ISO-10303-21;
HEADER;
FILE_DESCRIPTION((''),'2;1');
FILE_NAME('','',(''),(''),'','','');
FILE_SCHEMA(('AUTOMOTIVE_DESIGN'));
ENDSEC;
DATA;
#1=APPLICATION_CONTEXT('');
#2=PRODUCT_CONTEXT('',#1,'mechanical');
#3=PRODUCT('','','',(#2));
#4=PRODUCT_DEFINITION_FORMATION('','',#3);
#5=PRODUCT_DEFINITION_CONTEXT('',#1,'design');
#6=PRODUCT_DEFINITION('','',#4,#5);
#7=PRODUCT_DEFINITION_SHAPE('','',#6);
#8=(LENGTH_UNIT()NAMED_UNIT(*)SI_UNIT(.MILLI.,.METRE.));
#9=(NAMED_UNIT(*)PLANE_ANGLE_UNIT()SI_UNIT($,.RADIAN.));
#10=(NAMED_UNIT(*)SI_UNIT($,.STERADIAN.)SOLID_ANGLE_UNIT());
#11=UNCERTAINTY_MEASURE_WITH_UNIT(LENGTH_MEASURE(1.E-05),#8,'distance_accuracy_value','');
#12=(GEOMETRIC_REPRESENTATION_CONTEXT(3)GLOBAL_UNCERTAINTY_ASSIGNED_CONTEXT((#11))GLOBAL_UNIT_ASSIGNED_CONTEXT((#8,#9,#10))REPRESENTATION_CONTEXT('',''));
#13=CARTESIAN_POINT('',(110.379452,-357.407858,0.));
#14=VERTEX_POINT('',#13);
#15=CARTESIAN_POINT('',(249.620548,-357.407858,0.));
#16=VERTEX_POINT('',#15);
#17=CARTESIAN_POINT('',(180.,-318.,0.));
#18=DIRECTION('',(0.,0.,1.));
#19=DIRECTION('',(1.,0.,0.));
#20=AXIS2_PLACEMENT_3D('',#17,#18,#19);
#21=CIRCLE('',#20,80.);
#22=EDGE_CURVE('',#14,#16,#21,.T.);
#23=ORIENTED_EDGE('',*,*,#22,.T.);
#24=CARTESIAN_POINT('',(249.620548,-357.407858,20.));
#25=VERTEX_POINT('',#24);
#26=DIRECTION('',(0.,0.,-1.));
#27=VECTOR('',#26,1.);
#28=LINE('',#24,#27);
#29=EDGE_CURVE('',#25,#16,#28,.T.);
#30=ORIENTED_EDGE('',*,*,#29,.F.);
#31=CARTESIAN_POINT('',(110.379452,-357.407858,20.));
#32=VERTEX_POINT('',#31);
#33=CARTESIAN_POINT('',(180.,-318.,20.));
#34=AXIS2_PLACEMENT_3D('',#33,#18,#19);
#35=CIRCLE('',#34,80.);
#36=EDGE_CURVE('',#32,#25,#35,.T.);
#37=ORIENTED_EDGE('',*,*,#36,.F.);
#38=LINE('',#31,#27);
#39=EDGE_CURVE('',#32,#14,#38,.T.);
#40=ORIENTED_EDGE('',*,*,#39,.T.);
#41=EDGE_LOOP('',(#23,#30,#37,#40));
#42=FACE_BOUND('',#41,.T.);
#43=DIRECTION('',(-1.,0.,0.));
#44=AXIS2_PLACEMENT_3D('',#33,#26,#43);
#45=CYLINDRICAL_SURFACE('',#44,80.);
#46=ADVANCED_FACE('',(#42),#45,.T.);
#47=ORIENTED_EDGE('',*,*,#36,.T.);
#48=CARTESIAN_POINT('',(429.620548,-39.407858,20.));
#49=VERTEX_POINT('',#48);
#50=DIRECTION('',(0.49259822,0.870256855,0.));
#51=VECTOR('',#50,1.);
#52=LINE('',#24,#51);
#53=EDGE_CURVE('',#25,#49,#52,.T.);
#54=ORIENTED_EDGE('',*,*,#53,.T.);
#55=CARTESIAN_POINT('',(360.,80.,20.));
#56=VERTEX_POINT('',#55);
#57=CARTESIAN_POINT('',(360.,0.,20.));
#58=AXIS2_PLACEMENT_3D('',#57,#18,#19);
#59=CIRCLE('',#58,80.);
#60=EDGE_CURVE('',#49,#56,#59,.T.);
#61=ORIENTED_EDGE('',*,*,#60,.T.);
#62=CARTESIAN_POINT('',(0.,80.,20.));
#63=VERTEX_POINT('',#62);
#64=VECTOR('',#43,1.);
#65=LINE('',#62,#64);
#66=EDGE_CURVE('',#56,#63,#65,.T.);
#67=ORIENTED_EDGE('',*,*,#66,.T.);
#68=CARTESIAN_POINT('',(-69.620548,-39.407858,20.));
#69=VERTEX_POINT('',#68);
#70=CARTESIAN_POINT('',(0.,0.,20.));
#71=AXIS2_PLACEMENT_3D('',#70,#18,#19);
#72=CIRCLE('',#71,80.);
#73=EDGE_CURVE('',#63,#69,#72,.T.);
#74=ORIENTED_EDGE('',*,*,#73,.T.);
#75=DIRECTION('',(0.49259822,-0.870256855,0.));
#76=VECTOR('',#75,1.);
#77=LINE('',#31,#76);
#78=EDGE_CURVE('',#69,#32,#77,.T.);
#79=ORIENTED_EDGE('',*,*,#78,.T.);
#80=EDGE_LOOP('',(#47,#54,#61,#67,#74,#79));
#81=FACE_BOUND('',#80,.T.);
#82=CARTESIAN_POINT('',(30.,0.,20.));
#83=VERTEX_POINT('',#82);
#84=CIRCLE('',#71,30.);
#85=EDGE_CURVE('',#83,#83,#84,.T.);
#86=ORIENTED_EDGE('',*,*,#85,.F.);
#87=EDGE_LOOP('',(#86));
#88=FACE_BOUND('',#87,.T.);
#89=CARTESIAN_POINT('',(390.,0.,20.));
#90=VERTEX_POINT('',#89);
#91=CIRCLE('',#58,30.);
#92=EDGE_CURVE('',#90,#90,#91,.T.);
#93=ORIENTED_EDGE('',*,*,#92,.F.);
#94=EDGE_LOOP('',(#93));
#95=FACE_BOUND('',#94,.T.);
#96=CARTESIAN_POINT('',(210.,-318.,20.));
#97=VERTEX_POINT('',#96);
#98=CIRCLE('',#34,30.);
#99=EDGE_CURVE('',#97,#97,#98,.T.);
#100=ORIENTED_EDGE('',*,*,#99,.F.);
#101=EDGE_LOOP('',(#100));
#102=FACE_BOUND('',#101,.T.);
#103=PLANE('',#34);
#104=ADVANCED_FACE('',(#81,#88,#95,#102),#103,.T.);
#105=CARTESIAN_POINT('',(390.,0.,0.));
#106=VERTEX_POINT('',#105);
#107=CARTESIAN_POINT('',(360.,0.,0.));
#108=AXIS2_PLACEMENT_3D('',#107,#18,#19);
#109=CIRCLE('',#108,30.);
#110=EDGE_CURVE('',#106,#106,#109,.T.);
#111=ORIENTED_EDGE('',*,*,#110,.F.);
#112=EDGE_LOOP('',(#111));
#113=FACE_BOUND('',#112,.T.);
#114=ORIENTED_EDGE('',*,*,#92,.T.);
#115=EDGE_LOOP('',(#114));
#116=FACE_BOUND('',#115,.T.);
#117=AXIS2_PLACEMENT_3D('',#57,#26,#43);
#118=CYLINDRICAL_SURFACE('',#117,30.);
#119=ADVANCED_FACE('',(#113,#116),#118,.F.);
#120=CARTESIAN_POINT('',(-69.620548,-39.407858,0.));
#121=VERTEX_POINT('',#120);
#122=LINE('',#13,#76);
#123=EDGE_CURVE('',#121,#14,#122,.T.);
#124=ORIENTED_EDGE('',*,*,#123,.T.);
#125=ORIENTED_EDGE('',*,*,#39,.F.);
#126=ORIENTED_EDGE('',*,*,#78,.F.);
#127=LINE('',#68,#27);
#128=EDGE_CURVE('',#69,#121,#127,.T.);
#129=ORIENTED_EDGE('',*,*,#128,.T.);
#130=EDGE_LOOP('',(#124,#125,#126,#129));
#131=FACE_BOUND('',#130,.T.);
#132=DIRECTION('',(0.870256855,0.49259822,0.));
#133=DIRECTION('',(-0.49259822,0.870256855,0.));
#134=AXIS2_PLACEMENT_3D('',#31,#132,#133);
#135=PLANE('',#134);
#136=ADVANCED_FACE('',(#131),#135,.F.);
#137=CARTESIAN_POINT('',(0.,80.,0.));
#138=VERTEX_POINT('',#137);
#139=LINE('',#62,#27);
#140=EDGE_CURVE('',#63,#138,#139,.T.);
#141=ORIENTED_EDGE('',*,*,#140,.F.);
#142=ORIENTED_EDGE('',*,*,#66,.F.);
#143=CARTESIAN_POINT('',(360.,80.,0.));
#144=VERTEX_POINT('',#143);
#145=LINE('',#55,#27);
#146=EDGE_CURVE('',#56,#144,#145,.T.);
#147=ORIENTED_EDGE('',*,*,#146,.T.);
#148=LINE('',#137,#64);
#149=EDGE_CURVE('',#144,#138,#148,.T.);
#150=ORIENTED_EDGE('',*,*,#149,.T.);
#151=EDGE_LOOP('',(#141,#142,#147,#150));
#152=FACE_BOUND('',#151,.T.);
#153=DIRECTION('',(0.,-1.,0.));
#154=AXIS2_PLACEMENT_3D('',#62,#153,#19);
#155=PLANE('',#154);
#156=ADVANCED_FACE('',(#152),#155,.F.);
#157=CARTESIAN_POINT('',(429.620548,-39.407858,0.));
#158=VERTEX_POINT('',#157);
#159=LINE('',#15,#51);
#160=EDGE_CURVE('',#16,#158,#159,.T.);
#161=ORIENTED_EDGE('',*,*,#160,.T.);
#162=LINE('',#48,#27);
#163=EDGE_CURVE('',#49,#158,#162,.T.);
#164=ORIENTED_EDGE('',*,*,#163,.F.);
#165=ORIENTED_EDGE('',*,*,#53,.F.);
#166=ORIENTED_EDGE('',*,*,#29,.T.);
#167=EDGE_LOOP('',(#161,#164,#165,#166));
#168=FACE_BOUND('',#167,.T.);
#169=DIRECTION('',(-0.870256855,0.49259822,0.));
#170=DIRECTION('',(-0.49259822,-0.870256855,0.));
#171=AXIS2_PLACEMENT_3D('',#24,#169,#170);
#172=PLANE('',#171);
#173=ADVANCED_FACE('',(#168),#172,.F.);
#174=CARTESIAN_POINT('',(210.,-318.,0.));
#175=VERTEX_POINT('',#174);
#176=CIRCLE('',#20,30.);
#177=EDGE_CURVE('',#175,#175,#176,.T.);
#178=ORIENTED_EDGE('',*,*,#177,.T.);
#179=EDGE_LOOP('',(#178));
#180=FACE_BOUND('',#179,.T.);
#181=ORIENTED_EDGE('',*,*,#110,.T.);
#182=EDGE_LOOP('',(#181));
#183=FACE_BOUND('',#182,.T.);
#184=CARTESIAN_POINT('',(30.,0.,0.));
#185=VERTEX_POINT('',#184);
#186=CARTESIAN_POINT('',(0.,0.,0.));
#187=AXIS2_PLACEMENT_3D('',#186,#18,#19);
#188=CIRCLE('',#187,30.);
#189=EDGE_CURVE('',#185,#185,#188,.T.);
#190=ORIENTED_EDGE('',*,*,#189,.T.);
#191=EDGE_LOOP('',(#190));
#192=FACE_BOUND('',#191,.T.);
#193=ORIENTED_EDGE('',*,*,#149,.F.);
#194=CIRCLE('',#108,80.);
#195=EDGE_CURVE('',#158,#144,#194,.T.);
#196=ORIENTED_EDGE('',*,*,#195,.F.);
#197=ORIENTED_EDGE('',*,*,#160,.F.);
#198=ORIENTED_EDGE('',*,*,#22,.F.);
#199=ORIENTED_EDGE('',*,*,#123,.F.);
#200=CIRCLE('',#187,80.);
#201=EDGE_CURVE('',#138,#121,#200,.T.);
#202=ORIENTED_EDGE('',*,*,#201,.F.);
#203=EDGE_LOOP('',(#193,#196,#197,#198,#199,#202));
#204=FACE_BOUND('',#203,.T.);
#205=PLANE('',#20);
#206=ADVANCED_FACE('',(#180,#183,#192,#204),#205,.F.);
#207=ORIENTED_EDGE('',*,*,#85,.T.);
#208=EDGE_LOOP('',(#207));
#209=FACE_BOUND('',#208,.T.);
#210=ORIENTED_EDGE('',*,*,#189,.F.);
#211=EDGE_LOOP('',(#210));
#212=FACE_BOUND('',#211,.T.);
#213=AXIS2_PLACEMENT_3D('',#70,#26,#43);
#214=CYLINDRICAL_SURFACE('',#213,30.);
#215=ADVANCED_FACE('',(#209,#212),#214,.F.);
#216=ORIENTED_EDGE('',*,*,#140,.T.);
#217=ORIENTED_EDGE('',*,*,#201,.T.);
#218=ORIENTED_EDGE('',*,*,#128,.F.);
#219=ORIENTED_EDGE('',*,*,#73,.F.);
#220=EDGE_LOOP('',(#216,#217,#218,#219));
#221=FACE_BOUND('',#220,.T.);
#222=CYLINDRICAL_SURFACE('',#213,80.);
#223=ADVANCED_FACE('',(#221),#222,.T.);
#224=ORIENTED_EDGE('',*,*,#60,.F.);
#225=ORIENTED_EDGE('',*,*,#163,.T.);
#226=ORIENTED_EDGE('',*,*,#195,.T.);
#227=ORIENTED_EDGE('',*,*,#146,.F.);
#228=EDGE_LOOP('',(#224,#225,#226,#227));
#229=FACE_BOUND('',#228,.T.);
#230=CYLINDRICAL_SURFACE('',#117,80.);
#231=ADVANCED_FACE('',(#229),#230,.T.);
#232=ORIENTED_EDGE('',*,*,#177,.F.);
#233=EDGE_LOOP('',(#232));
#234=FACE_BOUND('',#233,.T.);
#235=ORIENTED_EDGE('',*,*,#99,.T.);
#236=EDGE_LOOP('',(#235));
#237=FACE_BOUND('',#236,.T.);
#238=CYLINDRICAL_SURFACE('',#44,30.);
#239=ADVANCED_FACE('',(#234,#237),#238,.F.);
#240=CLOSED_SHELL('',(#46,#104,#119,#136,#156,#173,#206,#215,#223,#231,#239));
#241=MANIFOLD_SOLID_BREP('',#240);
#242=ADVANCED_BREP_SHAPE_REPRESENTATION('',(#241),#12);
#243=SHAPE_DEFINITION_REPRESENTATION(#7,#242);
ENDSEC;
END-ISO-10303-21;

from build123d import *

# Parameters (mm, degrees)
SKETCH2_R           = 30
BOSS_EXTRUDE1_DEPTH = 20


with BuildPart() as part:
    # Sketch2 → Boss-Extrude1 (new body)
    with BuildSketch(Plane.XY):
        with BuildLine():
            Line((110.379451594, -357.407857588), (-69.620548406, -39.407857588))
            ThreePointArc((-69.620548406, -39.407857588), (-69.110884118, 40.294983515), (0, 80))
            Line((0, 80), (360, 80))
            ThreePointArc((360, 80), (429.110884118, 40.294983515), (429.620548406, -39.407857588))
            Line((429.620548406, -39.407857588), (249.620548406, -357.407857588))
            ThreePointArc((249.620548406, -357.407857588), (180, -398), (110.379451594, -357.407857588))
        make_face()
        Circle(SKETCH2_R, mode=Mode.SUBTRACT)
        with Locations((360, 0)):
            Circle(SKETCH2_R, mode=Mode.SUBTRACT)
        with Locations((180, -318)):
            Circle(SKETCH2_R, mode=Mode.SUBTRACT)
    extrude(amount=BOSS_EXTRUDE1_DEPTH)


solid = part.part
